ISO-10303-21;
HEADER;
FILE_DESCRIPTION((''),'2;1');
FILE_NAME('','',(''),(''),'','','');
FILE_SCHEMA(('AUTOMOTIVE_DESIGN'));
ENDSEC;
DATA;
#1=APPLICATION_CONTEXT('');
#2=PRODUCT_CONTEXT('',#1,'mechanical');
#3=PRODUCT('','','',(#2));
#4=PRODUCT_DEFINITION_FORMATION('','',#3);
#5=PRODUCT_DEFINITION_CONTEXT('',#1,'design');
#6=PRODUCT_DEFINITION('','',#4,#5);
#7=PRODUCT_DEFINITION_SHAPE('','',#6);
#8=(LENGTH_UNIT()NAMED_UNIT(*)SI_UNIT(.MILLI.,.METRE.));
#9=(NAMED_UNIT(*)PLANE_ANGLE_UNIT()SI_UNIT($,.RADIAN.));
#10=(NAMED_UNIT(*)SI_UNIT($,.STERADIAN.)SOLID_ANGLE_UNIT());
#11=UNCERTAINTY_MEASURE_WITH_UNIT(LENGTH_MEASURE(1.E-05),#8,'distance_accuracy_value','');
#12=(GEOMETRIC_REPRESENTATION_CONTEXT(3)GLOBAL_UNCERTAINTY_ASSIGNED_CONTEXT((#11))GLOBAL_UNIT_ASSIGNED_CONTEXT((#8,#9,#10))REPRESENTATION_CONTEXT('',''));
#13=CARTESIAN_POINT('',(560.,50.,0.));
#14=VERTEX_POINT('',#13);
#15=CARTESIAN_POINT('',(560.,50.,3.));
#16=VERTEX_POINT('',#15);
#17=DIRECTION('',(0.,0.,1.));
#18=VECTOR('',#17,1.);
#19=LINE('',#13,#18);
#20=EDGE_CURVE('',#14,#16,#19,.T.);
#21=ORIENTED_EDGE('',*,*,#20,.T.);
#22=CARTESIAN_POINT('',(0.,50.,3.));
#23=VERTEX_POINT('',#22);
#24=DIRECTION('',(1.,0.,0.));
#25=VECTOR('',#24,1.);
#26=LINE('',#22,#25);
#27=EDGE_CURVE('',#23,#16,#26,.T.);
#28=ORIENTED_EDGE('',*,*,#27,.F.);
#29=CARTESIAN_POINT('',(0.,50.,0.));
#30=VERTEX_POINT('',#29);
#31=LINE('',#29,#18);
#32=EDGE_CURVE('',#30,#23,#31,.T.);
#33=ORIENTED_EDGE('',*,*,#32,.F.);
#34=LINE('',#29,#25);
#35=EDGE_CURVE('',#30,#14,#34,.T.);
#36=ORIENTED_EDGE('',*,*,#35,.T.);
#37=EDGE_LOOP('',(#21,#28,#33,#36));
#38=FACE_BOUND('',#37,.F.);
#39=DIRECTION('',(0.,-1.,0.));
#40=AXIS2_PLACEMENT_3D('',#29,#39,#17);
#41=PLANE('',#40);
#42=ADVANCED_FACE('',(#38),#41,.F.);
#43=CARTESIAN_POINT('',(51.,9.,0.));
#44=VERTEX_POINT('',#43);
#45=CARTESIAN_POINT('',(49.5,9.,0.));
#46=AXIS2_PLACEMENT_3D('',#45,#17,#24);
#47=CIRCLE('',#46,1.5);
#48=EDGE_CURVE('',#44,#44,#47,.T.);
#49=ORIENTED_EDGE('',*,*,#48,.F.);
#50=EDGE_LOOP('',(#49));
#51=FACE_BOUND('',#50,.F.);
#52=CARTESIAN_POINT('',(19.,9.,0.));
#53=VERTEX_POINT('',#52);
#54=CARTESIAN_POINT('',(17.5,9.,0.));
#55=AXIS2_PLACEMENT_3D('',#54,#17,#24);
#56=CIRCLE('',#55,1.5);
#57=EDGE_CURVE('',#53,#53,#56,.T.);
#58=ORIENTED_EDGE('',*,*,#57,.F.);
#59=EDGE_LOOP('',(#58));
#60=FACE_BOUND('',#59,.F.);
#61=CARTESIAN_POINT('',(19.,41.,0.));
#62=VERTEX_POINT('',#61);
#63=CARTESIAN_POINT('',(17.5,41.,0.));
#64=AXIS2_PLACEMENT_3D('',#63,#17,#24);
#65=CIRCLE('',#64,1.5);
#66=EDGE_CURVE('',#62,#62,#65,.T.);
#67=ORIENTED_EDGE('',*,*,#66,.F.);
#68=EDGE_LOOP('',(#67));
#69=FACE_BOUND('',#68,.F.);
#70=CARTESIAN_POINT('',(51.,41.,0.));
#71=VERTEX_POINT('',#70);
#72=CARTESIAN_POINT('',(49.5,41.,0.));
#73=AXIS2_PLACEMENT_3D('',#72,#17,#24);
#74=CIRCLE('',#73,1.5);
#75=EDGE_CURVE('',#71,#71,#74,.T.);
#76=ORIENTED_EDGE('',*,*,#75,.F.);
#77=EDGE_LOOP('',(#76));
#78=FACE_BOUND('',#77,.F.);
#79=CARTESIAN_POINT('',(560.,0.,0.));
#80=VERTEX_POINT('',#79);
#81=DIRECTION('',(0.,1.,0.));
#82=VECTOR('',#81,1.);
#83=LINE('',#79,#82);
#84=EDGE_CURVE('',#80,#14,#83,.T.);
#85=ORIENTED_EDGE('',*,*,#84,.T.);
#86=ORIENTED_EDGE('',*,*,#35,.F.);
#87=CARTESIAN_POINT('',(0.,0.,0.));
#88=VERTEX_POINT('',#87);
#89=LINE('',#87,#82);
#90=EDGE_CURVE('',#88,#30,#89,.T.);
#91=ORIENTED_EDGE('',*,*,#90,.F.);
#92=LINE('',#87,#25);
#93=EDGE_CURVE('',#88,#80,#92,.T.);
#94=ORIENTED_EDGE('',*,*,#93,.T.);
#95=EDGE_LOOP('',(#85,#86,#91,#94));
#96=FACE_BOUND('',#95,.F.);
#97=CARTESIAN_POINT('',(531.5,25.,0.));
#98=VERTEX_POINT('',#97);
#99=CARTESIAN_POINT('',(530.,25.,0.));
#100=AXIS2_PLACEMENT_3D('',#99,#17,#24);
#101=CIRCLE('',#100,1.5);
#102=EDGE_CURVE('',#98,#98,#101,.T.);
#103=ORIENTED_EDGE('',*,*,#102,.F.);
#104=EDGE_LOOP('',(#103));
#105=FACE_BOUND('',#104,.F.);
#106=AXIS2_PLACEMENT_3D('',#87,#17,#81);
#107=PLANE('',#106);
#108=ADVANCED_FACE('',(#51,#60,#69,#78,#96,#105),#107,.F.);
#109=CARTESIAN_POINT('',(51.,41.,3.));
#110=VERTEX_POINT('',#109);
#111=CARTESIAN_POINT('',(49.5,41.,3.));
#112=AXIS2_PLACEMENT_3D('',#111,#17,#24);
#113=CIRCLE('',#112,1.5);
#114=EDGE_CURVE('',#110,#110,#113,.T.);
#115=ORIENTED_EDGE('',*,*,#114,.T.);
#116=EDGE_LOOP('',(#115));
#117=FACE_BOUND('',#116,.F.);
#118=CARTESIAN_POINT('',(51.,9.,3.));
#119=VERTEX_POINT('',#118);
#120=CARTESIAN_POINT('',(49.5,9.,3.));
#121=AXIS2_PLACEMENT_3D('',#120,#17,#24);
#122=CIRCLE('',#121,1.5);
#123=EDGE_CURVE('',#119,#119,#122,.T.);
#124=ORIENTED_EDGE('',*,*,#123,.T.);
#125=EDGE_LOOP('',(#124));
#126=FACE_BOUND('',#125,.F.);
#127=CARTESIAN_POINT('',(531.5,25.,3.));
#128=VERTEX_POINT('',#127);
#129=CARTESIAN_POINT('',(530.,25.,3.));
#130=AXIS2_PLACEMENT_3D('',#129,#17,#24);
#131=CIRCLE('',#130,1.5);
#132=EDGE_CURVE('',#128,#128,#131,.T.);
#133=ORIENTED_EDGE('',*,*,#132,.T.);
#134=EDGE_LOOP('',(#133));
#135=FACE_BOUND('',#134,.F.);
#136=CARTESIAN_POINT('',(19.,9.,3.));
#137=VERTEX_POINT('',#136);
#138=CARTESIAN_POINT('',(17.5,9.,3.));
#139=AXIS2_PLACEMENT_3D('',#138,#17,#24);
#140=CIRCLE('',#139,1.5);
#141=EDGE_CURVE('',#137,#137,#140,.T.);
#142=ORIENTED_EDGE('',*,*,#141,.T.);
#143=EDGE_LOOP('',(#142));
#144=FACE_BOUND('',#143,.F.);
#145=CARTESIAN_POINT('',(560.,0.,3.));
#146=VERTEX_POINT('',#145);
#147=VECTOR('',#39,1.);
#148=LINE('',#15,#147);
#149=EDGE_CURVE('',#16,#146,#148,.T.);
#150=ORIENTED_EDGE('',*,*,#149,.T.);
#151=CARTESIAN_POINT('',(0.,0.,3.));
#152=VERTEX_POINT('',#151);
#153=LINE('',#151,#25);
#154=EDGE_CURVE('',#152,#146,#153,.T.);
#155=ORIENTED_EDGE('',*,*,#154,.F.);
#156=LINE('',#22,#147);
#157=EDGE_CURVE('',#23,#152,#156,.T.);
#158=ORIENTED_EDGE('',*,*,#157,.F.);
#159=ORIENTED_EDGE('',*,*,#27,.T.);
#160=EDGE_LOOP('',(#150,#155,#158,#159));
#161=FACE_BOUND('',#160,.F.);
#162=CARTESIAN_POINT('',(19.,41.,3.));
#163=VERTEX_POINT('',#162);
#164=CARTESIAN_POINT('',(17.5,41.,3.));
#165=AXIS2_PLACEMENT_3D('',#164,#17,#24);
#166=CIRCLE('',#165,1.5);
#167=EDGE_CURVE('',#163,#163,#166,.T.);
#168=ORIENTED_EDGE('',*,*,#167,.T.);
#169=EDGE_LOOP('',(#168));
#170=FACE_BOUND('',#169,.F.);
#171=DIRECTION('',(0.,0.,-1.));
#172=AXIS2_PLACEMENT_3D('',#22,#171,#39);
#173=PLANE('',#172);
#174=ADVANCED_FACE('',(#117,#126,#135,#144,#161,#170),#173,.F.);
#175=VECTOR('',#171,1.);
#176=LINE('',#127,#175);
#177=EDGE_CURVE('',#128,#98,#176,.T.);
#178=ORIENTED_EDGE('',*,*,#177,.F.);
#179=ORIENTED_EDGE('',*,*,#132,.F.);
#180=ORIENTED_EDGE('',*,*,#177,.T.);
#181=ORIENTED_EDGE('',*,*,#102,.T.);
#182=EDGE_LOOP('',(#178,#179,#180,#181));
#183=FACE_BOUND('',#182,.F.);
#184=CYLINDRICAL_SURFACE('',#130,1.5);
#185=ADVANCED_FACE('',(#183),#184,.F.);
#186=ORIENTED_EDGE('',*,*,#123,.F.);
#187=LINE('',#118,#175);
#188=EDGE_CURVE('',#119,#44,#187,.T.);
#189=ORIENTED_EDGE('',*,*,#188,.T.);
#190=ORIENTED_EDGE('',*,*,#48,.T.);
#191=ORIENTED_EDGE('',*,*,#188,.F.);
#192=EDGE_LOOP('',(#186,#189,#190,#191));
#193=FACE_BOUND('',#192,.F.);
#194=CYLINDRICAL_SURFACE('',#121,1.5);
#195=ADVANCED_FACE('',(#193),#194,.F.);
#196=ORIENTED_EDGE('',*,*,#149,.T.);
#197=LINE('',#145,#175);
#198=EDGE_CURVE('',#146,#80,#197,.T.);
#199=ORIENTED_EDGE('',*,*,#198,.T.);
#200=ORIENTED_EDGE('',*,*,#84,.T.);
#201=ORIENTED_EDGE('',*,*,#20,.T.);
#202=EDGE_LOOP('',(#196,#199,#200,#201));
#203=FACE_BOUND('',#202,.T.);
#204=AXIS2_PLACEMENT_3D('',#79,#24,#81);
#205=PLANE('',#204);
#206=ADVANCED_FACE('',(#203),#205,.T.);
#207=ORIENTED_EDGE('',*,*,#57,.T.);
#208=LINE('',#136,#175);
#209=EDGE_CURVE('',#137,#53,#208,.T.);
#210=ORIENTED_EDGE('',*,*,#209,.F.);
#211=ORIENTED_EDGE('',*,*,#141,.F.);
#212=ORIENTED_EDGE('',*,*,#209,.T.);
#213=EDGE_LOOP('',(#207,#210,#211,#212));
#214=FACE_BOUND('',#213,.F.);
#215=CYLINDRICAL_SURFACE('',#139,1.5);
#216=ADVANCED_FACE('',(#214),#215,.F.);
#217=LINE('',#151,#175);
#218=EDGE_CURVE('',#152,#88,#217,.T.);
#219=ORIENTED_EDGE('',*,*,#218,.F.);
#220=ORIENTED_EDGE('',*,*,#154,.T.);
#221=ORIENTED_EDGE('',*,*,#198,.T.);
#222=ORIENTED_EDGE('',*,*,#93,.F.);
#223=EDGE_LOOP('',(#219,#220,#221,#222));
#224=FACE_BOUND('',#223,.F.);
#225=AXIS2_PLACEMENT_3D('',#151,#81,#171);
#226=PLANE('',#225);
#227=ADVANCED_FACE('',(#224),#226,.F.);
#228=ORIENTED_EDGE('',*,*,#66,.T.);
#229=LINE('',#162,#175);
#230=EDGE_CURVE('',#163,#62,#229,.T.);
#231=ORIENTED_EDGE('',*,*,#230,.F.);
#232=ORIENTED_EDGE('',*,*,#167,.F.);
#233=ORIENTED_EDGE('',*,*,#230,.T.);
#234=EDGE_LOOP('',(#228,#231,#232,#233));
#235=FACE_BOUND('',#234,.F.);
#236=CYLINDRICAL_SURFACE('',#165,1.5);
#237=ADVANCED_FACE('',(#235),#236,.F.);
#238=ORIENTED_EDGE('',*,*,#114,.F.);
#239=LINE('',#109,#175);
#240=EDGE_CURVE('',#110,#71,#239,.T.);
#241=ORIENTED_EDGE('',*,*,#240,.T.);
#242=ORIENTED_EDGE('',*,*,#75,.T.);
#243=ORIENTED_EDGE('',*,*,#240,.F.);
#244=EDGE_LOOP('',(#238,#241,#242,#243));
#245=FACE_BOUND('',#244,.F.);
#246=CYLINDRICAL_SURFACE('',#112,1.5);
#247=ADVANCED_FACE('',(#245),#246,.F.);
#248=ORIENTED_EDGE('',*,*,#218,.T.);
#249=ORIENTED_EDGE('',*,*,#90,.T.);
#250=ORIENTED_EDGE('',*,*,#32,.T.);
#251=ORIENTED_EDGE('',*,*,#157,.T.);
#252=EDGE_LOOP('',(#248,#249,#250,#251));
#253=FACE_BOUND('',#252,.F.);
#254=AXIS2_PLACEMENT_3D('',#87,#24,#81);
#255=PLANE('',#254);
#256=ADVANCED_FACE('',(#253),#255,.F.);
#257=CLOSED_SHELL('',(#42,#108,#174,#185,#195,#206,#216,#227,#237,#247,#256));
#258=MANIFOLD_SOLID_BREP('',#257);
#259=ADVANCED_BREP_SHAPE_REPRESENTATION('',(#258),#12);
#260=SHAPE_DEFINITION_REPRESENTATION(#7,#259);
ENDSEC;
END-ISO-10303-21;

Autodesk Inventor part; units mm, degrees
ref_plane "YZ Plane" through (0, 0, 0) normal (1, 0, 0) x (0, 1, 0)
ref_plane "XZ Plane" through (0, 0, 0) normal (0, 1, 0) x (-1, 0, 0)
ref_plane "XY Plane" through (0, 0, 0) normal (0, 0, 1) x (1, 0, 0)
sketch "Sketch1" plane through (0, 0, 0) normal (1, 0, 0) x (0, 1, 0)
  line L0 (0, 0) -> (50, 0)
  line L1 (50, 0) -> (50, 3)
  line L2 (50, 3) -> (0, 3)
  line L3 (0, 3) -> (0, 0)
  dimension "d0" = 50
  dimension "d1" = 3
extrude "Extrusion1" add sketch "Sketch1" along normal blind 560
sketch "Sketch2" plane through (0, 0, 3) normal (0, 0, 1) x (1, 0, 0)
  line L0 (0, 0) -> (560, 0) projected
  line L1 (0, 50) -> (560, 50) projected
  line L2 (0, 50) -> (0, 0) projected
  line L3 (560, 50) -> (560, 0) projected
  line L4 (17.5, 41) -> (49.5, 41) construction
  line L5 (49.5, 41) -> (49.5, 9) construction
  line L6 (49.5, 9) -> (17.5, 9) construction
  line L7 (17.5, 9) -> (17.5, 41) construction
  circle A0 centre (17.5, 41) radius 1.5
  circle A1 centre (49.5, 41) radius 1.5
  circle A2 centre (49.5, 9) radius 1.5
  circle A3 centre (17.5, 9) radius 1.5
  circle A4 centre (530, 25) radius 1.5
  point P0 (560, 25)
  point P1 (17.5, 25)
  point P2 (0, 25)
  dimension "d12" = 32
  dimension "d13" = 32
  dimension "d14" = 17.5
  dimension "d15" = 3
  dimension "d16" = 3
  dimension "d17" = 3
  dimension "d18" = 3
  dimension "d19" = 3
  dimension "d20" = 30
extrude "Extrusion2" cut sketch "Sketch2" against normal blind 10 contours A0 | A1 | A2 | A3 | A4
properties part number "X Rail"
